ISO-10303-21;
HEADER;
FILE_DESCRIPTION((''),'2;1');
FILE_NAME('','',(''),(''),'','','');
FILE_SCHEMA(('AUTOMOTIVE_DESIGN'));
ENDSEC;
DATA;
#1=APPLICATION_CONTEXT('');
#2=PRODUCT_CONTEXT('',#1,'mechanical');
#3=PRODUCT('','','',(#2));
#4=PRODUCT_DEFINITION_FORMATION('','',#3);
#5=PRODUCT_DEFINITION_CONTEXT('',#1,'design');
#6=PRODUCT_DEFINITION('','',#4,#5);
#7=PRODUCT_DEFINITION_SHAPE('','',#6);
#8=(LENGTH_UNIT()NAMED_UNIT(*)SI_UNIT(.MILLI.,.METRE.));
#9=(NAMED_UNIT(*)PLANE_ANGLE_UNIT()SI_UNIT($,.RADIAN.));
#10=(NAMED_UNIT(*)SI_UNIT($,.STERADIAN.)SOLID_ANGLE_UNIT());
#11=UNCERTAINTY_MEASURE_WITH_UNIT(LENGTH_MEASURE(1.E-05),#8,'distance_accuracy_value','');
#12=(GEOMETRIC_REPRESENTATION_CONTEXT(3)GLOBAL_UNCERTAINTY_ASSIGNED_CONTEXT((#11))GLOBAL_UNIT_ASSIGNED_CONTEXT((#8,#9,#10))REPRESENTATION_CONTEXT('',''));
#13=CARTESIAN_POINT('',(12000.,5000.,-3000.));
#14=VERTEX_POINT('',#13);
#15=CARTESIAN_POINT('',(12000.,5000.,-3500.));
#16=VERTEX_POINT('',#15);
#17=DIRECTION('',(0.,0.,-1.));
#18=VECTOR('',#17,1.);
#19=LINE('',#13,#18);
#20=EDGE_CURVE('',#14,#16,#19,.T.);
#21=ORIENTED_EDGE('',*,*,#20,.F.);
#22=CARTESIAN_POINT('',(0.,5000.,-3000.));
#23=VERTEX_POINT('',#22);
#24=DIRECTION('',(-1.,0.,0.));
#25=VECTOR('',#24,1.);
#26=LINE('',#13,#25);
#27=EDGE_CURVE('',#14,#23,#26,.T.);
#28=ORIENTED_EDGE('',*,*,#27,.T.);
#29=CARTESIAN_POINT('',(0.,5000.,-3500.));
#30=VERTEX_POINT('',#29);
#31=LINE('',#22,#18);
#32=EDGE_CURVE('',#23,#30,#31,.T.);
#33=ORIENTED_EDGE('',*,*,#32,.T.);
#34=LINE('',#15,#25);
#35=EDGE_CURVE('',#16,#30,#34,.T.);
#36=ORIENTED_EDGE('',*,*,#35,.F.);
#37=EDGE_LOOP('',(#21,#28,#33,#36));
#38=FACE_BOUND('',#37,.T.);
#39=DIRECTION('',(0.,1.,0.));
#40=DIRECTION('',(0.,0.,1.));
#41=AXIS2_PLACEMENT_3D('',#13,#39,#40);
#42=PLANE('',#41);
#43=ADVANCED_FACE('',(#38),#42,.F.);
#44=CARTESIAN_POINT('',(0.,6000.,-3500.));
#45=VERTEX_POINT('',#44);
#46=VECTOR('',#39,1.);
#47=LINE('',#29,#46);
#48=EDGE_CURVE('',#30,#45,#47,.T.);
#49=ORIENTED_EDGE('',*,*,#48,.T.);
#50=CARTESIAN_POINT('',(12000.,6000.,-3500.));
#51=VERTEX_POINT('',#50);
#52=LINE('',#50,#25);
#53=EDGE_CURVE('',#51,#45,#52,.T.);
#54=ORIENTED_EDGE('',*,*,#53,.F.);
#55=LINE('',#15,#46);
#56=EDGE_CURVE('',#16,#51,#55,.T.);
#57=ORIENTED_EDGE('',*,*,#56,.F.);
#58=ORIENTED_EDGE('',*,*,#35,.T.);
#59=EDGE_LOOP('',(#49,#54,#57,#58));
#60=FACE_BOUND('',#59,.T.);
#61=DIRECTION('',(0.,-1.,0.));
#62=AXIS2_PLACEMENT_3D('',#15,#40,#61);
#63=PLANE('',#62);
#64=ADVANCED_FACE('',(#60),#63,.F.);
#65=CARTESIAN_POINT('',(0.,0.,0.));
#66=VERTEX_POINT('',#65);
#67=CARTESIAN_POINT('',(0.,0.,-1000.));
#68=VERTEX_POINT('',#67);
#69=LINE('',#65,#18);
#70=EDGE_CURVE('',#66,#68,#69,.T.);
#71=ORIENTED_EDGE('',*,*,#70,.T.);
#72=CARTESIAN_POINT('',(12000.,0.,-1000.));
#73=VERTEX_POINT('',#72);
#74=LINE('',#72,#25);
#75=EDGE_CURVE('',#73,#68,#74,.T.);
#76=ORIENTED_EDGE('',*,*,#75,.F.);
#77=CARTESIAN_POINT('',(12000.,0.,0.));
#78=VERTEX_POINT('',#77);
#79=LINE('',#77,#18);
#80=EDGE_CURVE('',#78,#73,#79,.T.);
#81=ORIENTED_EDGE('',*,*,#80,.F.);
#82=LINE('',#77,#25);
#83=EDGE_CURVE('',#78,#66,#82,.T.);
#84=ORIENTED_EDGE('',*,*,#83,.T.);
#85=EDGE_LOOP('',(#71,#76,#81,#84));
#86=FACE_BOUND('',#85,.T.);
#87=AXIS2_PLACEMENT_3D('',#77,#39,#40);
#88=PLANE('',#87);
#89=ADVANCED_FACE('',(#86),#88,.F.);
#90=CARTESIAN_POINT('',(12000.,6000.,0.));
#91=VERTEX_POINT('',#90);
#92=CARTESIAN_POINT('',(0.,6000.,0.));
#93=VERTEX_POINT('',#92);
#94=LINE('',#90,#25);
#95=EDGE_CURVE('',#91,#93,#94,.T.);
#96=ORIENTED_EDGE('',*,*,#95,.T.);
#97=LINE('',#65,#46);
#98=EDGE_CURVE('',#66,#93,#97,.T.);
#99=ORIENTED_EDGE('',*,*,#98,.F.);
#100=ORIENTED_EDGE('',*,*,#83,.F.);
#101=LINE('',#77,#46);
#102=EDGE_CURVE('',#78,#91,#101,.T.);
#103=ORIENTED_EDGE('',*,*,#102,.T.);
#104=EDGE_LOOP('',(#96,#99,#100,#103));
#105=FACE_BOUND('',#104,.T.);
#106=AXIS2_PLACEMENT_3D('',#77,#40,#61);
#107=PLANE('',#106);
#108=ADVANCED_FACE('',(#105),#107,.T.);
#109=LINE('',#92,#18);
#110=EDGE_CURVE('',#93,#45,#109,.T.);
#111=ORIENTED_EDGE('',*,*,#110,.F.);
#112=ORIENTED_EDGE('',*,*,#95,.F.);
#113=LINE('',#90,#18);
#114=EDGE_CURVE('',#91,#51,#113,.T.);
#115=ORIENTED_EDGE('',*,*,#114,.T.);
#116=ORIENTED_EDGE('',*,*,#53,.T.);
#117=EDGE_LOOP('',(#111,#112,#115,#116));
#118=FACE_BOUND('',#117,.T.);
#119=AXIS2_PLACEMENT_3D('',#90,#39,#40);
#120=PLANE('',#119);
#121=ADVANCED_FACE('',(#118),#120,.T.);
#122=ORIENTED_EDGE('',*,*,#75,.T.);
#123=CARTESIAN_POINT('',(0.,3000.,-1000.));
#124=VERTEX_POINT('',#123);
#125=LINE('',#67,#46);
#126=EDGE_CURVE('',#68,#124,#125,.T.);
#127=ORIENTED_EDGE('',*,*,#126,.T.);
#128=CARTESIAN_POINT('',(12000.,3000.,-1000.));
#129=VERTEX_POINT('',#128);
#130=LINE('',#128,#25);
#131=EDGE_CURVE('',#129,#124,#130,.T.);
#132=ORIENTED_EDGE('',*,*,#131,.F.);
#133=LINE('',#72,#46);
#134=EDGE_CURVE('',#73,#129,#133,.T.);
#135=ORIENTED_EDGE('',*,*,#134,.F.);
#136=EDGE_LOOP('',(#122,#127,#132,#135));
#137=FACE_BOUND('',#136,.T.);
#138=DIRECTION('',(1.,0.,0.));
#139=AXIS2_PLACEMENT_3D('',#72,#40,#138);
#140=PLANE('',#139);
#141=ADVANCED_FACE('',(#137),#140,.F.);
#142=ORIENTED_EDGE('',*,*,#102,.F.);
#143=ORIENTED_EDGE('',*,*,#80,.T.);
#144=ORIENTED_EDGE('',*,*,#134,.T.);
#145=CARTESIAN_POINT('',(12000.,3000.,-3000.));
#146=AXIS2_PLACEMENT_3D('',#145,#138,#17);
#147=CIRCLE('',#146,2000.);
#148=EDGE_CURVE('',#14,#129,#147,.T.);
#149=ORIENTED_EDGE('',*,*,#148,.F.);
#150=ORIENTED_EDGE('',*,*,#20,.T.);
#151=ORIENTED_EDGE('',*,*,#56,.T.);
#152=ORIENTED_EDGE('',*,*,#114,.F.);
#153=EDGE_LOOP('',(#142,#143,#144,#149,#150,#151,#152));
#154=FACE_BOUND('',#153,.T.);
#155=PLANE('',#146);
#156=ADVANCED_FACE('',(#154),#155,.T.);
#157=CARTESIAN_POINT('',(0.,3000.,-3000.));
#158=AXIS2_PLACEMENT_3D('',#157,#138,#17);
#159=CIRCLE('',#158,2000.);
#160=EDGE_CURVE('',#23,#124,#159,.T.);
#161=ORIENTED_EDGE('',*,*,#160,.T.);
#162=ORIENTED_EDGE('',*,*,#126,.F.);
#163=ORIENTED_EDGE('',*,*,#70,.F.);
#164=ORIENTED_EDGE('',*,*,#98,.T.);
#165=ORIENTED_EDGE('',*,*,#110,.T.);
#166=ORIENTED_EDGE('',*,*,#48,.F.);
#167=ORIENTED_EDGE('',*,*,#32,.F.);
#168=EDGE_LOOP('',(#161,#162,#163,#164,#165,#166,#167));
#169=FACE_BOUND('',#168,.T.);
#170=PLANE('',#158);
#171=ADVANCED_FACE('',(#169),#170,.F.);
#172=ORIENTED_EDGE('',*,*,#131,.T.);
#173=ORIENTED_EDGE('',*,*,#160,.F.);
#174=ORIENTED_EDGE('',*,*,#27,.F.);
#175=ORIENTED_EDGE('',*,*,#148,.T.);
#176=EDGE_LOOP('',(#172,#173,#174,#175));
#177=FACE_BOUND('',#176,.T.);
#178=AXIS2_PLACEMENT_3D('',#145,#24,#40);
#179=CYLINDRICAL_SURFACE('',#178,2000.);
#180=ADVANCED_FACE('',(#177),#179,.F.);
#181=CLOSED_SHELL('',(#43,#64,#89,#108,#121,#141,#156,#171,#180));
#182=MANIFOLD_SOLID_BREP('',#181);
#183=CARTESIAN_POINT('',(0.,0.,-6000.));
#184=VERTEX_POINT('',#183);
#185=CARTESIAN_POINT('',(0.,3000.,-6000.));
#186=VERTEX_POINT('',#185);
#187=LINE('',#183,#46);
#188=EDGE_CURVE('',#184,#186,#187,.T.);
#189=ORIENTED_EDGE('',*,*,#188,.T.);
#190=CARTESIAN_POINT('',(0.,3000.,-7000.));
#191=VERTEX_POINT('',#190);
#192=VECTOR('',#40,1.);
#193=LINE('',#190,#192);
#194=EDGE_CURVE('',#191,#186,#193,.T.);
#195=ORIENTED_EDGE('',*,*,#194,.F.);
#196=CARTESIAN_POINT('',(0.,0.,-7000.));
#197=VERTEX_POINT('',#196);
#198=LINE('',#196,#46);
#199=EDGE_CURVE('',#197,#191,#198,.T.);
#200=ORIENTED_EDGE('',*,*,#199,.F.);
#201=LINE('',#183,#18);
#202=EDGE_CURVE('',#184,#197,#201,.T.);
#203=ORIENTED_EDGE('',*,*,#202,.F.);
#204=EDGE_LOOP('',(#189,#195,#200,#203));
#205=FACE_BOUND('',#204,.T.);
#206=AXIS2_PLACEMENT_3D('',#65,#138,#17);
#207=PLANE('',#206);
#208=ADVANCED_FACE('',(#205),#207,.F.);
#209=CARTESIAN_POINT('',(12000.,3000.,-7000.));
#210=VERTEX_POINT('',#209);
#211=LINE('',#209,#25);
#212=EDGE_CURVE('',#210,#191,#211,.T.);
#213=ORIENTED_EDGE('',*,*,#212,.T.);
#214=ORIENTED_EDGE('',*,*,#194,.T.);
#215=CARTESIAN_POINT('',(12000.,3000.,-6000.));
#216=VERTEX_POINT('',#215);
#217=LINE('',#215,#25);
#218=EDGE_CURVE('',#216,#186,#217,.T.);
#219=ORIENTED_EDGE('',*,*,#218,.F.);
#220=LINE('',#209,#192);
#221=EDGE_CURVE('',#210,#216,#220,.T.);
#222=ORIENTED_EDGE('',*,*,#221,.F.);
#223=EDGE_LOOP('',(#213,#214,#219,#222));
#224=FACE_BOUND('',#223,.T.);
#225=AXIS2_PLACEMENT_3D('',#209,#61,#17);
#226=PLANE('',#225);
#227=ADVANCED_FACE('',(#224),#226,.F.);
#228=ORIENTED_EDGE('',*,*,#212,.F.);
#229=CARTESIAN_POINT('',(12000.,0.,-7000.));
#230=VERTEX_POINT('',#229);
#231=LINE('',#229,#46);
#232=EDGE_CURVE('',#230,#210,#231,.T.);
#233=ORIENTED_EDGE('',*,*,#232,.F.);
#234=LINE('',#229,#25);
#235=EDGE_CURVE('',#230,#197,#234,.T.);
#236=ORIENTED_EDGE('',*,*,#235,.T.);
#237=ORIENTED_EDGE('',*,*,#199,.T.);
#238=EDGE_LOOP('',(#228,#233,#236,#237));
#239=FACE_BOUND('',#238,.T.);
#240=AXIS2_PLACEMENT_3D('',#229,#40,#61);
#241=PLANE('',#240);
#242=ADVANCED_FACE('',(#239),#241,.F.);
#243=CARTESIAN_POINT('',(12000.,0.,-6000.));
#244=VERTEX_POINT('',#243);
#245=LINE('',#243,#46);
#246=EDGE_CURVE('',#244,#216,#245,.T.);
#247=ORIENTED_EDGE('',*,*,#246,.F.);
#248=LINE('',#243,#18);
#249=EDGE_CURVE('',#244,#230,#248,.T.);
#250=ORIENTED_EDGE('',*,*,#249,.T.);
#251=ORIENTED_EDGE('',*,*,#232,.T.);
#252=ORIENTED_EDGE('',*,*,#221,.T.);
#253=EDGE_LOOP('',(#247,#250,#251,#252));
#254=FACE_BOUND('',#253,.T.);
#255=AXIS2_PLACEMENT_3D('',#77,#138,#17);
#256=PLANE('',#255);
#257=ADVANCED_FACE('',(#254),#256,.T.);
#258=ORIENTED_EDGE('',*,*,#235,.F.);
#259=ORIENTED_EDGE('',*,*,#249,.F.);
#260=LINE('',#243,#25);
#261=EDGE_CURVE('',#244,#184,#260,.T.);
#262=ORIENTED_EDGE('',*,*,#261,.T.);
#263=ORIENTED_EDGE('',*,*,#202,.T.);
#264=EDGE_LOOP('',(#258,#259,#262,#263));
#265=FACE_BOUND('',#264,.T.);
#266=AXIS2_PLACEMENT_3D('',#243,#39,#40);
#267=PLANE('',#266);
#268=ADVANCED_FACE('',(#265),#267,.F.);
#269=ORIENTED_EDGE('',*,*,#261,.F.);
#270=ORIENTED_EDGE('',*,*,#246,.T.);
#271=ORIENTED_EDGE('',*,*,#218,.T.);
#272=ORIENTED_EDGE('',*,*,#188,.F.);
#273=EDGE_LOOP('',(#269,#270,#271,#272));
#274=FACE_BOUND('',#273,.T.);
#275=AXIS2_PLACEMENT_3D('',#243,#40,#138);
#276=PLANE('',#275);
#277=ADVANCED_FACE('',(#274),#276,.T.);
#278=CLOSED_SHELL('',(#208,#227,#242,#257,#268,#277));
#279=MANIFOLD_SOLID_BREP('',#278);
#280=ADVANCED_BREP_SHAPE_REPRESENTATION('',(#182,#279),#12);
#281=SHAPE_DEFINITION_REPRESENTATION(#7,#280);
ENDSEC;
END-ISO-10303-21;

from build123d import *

# Parameters (mm, degrees)
SKETCH1_W             = 1000
SKETCH1_H             = 3000
BOSS_EXTRUDE1_DEPTH   = 12000
BOSS_EXTRUDE1_2_DEPTH = 12000


with BuildPart() as part:
    # Sketch1 → Boss-Extrude1 (new body)
    with BuildSketch(Plane(origin=(0, 0, 0), x_dir=(0, 0, -1), z_dir=(1, 0, 0))):
        with Locations((6500, 1500)):
            Rectangle(SKETCH1_W, SKETCH1_H)
    extrude(amount=BOSS_EXTRUDE1_DEPTH)


with BuildPart() as body_2:
    # Sketch1 → Boss-Extrude1 2 (new body)
    with BuildSketch(Plane(origin=(0, 0, 0), x_dir=(0, 0, -1), z_dir=(1, 0, 0))):
        with BuildLine():
            Line((0, 0), (1000, 0))
            Line((1000, 0), (1000, 3000))
            ThreePointArc((1000, 3000), (1585.786437627, 4414.213562373), (3000, 5000))
            Line((3000, 5000), (3500, 5000))
            Line((3500, 5000), (3500, 6000))
            Line((3500, 6000), (0, 6000))
            Line((0, 6000), (0, 0))
        make_face()
    extrude(amount=BOSS_EXTRUDE1_2_DEPTH)


solid = Compound([part.part, body_2.part])
